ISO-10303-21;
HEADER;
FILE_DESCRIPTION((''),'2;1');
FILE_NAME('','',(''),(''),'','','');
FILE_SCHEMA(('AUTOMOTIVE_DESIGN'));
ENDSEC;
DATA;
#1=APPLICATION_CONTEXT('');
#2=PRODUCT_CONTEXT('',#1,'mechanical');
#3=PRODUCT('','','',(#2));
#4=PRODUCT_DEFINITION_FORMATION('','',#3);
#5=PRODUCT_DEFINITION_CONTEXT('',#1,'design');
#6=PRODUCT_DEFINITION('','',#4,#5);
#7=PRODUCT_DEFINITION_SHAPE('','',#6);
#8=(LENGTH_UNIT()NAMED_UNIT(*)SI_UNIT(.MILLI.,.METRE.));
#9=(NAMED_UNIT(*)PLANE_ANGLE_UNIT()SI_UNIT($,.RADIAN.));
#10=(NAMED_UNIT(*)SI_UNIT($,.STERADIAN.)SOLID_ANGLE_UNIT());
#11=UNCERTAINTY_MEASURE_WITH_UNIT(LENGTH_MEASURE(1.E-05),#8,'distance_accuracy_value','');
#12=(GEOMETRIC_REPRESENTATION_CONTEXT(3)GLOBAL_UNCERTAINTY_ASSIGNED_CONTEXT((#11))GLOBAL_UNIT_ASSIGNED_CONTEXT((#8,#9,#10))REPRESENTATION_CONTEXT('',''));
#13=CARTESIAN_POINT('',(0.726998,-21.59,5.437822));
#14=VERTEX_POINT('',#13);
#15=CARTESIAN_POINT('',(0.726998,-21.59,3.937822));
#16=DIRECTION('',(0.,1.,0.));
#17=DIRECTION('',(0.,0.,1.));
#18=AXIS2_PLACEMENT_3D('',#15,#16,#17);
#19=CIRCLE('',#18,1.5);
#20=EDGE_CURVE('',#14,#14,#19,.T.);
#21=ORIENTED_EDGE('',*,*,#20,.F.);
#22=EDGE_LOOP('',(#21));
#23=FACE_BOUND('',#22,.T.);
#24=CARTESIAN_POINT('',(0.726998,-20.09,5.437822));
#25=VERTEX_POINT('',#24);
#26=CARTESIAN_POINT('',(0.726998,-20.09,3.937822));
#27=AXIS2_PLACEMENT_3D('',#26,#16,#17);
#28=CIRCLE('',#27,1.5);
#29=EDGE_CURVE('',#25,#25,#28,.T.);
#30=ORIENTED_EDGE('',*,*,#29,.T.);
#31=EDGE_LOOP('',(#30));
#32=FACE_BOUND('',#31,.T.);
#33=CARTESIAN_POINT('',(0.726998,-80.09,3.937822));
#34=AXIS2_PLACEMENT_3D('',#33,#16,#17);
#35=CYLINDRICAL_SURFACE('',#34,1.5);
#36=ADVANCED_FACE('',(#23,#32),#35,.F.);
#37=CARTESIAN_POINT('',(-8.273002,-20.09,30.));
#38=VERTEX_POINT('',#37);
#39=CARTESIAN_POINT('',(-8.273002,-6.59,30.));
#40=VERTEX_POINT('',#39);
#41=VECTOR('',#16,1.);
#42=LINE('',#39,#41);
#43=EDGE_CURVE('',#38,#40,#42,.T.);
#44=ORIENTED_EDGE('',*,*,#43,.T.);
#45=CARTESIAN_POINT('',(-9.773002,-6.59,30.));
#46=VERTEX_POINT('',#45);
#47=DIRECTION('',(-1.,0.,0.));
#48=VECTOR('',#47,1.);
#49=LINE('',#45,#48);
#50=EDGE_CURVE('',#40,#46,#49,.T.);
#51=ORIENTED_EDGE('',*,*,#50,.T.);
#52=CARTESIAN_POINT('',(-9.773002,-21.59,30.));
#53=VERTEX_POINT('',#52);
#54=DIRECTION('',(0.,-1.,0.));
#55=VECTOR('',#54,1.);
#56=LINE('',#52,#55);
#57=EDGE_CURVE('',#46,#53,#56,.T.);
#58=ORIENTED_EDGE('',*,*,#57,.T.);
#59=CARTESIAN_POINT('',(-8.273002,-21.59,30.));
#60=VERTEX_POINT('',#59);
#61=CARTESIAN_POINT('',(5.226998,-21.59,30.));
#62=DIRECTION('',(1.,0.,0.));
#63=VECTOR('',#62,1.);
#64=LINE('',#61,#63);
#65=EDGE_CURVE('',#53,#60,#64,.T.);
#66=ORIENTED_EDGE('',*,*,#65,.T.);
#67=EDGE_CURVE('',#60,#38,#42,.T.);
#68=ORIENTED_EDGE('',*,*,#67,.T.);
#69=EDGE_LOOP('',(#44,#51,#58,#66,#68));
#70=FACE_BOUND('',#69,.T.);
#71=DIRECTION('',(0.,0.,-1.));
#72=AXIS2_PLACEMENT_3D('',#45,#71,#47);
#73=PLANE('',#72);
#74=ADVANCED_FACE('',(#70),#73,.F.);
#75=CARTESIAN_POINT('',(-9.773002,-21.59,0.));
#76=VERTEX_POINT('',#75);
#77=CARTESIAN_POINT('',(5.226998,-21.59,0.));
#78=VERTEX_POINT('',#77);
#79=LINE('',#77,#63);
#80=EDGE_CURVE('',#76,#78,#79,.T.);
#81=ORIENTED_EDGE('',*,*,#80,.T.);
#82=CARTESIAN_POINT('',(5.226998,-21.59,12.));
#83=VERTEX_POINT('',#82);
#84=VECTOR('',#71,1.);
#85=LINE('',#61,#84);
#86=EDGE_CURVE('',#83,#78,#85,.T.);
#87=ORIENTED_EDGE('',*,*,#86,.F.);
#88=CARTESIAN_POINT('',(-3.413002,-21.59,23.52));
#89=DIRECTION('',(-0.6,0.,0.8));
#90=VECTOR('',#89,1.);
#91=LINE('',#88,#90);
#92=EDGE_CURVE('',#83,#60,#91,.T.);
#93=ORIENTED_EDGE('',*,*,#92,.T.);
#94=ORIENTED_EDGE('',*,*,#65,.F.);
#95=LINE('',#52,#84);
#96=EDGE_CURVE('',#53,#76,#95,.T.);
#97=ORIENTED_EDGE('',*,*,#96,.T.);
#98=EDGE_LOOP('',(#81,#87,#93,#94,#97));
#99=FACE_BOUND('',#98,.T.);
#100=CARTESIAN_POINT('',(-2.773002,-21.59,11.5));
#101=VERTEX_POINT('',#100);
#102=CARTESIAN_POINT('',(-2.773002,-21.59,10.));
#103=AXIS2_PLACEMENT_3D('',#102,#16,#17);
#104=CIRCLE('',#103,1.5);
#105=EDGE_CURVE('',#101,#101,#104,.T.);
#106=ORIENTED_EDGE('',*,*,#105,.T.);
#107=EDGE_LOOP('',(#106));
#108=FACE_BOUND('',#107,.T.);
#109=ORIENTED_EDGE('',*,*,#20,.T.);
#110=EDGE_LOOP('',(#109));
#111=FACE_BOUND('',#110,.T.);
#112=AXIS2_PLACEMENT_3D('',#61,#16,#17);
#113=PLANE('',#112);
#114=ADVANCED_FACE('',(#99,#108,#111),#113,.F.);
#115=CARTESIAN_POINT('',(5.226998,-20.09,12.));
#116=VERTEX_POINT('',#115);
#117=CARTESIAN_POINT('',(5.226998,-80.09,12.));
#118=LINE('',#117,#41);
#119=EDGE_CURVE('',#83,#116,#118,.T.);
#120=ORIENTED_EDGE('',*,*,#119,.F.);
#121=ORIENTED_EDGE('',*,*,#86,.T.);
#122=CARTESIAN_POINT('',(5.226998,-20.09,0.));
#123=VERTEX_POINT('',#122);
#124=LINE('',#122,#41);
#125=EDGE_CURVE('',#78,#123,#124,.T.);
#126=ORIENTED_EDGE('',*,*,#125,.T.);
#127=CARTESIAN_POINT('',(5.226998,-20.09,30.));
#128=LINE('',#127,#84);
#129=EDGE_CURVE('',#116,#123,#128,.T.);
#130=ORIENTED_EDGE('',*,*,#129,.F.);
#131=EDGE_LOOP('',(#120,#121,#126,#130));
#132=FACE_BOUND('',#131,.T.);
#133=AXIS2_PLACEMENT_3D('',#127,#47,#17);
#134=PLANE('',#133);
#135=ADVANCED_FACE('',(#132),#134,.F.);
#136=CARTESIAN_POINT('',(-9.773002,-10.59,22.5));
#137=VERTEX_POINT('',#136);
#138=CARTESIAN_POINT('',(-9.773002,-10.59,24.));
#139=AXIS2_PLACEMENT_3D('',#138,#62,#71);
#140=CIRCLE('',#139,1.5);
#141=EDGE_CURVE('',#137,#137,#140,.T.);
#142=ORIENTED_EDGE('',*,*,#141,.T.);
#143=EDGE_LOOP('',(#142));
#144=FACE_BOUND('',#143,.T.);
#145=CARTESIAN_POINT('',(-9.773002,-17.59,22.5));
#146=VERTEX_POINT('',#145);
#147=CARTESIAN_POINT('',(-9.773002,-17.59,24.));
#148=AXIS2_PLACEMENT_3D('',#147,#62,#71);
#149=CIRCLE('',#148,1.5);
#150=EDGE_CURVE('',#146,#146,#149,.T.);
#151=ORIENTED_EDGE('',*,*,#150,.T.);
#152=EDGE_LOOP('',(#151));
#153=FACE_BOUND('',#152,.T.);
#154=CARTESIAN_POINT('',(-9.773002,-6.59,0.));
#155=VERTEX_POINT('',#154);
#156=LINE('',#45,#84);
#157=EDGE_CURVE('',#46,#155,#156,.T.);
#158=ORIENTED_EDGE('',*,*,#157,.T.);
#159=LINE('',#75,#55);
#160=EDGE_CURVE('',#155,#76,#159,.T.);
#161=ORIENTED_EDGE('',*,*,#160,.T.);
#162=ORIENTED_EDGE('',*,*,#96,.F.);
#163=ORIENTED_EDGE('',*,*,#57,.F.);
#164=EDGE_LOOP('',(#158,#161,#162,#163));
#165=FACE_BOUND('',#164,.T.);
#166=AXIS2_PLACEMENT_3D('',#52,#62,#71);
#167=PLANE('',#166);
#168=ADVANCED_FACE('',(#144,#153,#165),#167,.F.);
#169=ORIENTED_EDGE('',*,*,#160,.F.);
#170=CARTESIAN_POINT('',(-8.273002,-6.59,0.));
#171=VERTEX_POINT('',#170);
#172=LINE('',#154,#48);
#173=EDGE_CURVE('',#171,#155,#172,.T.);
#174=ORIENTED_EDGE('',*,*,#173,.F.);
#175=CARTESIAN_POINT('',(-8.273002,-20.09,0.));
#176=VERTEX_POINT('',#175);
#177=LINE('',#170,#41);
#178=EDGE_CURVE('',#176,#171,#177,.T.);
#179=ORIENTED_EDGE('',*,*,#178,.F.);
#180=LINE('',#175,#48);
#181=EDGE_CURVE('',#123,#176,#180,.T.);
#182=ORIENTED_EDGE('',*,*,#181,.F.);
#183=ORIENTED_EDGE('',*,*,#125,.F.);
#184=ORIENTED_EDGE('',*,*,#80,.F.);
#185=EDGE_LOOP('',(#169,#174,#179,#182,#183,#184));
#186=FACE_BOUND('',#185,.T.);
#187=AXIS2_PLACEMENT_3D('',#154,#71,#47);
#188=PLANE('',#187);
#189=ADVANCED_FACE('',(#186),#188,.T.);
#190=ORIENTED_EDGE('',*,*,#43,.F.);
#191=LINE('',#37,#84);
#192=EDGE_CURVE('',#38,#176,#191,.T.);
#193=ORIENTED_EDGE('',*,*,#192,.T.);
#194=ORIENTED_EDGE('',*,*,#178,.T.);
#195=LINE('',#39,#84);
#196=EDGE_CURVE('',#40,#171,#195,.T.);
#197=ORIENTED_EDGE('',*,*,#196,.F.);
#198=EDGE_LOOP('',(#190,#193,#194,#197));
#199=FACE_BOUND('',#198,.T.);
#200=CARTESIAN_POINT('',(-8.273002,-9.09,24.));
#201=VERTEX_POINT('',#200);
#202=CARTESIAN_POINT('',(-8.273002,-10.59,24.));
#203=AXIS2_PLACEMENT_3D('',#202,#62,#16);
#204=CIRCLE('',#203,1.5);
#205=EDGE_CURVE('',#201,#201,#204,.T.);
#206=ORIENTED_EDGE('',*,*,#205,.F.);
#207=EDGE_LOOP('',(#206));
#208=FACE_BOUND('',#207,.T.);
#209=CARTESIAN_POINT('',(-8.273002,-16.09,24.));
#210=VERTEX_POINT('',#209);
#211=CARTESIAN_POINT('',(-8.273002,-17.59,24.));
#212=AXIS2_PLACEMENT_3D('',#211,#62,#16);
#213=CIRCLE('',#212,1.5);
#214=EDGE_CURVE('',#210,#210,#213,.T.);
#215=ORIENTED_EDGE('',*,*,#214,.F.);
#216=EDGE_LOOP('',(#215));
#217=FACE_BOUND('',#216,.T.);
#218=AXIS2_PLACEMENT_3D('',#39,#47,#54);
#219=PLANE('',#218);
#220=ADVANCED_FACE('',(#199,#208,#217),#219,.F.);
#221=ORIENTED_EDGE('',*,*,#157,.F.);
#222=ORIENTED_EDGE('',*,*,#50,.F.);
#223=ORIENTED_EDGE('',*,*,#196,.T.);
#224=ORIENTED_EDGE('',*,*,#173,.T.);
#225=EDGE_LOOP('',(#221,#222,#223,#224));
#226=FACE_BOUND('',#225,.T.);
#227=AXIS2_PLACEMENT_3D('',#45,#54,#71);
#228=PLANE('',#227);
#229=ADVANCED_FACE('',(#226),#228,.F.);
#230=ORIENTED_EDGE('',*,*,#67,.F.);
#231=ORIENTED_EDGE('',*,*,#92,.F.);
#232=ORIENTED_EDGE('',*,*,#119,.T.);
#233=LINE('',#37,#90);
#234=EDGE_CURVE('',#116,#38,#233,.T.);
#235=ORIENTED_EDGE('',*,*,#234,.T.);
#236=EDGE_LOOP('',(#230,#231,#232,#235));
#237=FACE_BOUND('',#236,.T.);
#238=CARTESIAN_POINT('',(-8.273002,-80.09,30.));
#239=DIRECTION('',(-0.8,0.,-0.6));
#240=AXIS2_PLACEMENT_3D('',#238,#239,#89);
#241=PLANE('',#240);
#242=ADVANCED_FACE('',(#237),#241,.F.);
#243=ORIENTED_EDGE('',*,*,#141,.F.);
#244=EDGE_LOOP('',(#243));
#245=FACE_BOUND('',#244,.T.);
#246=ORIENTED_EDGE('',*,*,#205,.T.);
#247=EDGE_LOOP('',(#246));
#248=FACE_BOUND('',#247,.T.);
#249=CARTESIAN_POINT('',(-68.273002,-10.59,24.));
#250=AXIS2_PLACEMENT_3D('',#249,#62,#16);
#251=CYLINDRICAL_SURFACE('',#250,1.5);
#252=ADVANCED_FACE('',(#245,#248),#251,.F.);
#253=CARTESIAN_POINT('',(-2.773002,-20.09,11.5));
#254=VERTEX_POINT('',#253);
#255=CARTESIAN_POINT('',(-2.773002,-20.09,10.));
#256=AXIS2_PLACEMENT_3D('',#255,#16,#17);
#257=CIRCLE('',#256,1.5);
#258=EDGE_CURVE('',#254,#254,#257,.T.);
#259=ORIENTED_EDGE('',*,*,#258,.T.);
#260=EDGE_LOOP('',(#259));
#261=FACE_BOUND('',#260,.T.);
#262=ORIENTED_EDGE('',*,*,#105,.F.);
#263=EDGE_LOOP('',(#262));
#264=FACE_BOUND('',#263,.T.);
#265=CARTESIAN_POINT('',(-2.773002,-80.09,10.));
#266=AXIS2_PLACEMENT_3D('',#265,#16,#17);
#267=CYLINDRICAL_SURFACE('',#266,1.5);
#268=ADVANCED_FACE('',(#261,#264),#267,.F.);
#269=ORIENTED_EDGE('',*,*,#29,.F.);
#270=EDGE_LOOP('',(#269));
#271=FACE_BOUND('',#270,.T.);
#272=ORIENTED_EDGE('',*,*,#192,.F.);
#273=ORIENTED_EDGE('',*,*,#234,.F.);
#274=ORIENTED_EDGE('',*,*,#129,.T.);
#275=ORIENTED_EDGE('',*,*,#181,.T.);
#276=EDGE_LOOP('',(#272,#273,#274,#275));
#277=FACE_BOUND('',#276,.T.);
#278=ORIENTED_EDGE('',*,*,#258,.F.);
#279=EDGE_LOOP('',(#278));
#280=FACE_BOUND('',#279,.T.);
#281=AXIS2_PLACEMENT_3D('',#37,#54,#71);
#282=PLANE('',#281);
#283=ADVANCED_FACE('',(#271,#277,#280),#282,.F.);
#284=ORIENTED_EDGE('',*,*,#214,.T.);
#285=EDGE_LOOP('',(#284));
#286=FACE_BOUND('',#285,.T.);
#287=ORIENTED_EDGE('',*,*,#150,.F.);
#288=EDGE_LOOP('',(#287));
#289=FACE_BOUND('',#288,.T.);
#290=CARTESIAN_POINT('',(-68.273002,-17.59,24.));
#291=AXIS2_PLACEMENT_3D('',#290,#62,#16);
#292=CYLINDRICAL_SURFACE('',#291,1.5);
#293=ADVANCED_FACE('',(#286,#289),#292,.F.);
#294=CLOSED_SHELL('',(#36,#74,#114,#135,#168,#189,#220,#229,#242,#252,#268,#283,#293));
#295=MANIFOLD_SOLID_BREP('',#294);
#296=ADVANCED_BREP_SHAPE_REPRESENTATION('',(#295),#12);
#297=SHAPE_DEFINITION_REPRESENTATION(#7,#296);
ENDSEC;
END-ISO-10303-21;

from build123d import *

# Parameters (mm, degrees)
EXTRUSION1_DEPTH = 30
ESQUISSE3_R      = 1.5
EXTRUSION2_DEPTH = 60
ESQUISSE4_R      = 1.5
EXTRUSION3_DEPTH = 60


with BuildPart() as part:
    # Esquisse1 → Extrusion1 (new body)
    with BuildSketch(Plane.XY):
        Polygon((-9.773002169, -6.59), (-8.273002169, -6.59), (-8.273002169, -20.09), (5.226997831, -20.09), (5.226997831, -21.59), (-9.773002169, -21.59), align=None)
    extrude(amount=EXTRUSION1_DEPTH)

    # Esquisse3 → Extrusion2 (cut)
    with BuildSketch(Plane(origin=(-8.273002169, 0, 0), x_dir=(0, 0, -1), z_dir=(1, 0, 0))):
        with Locations(Location((-24, -10.59, 0), (0, 0, 90))):
            Circle(ESQUISSE3_R)
        with Locations(Location((-24, -17.59, 0), (0, 0, 90))):
            Circle(ESQUISSE3_R)
    extrude(amount=-EXTRUSION2_DEPTH, mode=Mode.SUBTRACT)

    # Esquisse4 → Extrusion3 (cut)
    with BuildSketch(Plane(origin=(0, -20.09, 0), x_dir=(-1, 0, 0), z_dir=(0, 1, 0))):
        with Locations(Location((2.773002169, 10, 0), (0, 0, 90))):
            Circle(ESQUISSE4_R)
        with Locations(Location((-0.726997831, 3.937822174, 0), (0, 0, 90))):
            Circle(ESQUISSE4_R)
        Polygon((-5.226997831, 30), (8.273002169, 30), (-5.226997831, 12), align=None)
    extrude(amount=-EXTRUSION3_DEPTH, mode=Mode.SUBTRACT)


solid = part.part
